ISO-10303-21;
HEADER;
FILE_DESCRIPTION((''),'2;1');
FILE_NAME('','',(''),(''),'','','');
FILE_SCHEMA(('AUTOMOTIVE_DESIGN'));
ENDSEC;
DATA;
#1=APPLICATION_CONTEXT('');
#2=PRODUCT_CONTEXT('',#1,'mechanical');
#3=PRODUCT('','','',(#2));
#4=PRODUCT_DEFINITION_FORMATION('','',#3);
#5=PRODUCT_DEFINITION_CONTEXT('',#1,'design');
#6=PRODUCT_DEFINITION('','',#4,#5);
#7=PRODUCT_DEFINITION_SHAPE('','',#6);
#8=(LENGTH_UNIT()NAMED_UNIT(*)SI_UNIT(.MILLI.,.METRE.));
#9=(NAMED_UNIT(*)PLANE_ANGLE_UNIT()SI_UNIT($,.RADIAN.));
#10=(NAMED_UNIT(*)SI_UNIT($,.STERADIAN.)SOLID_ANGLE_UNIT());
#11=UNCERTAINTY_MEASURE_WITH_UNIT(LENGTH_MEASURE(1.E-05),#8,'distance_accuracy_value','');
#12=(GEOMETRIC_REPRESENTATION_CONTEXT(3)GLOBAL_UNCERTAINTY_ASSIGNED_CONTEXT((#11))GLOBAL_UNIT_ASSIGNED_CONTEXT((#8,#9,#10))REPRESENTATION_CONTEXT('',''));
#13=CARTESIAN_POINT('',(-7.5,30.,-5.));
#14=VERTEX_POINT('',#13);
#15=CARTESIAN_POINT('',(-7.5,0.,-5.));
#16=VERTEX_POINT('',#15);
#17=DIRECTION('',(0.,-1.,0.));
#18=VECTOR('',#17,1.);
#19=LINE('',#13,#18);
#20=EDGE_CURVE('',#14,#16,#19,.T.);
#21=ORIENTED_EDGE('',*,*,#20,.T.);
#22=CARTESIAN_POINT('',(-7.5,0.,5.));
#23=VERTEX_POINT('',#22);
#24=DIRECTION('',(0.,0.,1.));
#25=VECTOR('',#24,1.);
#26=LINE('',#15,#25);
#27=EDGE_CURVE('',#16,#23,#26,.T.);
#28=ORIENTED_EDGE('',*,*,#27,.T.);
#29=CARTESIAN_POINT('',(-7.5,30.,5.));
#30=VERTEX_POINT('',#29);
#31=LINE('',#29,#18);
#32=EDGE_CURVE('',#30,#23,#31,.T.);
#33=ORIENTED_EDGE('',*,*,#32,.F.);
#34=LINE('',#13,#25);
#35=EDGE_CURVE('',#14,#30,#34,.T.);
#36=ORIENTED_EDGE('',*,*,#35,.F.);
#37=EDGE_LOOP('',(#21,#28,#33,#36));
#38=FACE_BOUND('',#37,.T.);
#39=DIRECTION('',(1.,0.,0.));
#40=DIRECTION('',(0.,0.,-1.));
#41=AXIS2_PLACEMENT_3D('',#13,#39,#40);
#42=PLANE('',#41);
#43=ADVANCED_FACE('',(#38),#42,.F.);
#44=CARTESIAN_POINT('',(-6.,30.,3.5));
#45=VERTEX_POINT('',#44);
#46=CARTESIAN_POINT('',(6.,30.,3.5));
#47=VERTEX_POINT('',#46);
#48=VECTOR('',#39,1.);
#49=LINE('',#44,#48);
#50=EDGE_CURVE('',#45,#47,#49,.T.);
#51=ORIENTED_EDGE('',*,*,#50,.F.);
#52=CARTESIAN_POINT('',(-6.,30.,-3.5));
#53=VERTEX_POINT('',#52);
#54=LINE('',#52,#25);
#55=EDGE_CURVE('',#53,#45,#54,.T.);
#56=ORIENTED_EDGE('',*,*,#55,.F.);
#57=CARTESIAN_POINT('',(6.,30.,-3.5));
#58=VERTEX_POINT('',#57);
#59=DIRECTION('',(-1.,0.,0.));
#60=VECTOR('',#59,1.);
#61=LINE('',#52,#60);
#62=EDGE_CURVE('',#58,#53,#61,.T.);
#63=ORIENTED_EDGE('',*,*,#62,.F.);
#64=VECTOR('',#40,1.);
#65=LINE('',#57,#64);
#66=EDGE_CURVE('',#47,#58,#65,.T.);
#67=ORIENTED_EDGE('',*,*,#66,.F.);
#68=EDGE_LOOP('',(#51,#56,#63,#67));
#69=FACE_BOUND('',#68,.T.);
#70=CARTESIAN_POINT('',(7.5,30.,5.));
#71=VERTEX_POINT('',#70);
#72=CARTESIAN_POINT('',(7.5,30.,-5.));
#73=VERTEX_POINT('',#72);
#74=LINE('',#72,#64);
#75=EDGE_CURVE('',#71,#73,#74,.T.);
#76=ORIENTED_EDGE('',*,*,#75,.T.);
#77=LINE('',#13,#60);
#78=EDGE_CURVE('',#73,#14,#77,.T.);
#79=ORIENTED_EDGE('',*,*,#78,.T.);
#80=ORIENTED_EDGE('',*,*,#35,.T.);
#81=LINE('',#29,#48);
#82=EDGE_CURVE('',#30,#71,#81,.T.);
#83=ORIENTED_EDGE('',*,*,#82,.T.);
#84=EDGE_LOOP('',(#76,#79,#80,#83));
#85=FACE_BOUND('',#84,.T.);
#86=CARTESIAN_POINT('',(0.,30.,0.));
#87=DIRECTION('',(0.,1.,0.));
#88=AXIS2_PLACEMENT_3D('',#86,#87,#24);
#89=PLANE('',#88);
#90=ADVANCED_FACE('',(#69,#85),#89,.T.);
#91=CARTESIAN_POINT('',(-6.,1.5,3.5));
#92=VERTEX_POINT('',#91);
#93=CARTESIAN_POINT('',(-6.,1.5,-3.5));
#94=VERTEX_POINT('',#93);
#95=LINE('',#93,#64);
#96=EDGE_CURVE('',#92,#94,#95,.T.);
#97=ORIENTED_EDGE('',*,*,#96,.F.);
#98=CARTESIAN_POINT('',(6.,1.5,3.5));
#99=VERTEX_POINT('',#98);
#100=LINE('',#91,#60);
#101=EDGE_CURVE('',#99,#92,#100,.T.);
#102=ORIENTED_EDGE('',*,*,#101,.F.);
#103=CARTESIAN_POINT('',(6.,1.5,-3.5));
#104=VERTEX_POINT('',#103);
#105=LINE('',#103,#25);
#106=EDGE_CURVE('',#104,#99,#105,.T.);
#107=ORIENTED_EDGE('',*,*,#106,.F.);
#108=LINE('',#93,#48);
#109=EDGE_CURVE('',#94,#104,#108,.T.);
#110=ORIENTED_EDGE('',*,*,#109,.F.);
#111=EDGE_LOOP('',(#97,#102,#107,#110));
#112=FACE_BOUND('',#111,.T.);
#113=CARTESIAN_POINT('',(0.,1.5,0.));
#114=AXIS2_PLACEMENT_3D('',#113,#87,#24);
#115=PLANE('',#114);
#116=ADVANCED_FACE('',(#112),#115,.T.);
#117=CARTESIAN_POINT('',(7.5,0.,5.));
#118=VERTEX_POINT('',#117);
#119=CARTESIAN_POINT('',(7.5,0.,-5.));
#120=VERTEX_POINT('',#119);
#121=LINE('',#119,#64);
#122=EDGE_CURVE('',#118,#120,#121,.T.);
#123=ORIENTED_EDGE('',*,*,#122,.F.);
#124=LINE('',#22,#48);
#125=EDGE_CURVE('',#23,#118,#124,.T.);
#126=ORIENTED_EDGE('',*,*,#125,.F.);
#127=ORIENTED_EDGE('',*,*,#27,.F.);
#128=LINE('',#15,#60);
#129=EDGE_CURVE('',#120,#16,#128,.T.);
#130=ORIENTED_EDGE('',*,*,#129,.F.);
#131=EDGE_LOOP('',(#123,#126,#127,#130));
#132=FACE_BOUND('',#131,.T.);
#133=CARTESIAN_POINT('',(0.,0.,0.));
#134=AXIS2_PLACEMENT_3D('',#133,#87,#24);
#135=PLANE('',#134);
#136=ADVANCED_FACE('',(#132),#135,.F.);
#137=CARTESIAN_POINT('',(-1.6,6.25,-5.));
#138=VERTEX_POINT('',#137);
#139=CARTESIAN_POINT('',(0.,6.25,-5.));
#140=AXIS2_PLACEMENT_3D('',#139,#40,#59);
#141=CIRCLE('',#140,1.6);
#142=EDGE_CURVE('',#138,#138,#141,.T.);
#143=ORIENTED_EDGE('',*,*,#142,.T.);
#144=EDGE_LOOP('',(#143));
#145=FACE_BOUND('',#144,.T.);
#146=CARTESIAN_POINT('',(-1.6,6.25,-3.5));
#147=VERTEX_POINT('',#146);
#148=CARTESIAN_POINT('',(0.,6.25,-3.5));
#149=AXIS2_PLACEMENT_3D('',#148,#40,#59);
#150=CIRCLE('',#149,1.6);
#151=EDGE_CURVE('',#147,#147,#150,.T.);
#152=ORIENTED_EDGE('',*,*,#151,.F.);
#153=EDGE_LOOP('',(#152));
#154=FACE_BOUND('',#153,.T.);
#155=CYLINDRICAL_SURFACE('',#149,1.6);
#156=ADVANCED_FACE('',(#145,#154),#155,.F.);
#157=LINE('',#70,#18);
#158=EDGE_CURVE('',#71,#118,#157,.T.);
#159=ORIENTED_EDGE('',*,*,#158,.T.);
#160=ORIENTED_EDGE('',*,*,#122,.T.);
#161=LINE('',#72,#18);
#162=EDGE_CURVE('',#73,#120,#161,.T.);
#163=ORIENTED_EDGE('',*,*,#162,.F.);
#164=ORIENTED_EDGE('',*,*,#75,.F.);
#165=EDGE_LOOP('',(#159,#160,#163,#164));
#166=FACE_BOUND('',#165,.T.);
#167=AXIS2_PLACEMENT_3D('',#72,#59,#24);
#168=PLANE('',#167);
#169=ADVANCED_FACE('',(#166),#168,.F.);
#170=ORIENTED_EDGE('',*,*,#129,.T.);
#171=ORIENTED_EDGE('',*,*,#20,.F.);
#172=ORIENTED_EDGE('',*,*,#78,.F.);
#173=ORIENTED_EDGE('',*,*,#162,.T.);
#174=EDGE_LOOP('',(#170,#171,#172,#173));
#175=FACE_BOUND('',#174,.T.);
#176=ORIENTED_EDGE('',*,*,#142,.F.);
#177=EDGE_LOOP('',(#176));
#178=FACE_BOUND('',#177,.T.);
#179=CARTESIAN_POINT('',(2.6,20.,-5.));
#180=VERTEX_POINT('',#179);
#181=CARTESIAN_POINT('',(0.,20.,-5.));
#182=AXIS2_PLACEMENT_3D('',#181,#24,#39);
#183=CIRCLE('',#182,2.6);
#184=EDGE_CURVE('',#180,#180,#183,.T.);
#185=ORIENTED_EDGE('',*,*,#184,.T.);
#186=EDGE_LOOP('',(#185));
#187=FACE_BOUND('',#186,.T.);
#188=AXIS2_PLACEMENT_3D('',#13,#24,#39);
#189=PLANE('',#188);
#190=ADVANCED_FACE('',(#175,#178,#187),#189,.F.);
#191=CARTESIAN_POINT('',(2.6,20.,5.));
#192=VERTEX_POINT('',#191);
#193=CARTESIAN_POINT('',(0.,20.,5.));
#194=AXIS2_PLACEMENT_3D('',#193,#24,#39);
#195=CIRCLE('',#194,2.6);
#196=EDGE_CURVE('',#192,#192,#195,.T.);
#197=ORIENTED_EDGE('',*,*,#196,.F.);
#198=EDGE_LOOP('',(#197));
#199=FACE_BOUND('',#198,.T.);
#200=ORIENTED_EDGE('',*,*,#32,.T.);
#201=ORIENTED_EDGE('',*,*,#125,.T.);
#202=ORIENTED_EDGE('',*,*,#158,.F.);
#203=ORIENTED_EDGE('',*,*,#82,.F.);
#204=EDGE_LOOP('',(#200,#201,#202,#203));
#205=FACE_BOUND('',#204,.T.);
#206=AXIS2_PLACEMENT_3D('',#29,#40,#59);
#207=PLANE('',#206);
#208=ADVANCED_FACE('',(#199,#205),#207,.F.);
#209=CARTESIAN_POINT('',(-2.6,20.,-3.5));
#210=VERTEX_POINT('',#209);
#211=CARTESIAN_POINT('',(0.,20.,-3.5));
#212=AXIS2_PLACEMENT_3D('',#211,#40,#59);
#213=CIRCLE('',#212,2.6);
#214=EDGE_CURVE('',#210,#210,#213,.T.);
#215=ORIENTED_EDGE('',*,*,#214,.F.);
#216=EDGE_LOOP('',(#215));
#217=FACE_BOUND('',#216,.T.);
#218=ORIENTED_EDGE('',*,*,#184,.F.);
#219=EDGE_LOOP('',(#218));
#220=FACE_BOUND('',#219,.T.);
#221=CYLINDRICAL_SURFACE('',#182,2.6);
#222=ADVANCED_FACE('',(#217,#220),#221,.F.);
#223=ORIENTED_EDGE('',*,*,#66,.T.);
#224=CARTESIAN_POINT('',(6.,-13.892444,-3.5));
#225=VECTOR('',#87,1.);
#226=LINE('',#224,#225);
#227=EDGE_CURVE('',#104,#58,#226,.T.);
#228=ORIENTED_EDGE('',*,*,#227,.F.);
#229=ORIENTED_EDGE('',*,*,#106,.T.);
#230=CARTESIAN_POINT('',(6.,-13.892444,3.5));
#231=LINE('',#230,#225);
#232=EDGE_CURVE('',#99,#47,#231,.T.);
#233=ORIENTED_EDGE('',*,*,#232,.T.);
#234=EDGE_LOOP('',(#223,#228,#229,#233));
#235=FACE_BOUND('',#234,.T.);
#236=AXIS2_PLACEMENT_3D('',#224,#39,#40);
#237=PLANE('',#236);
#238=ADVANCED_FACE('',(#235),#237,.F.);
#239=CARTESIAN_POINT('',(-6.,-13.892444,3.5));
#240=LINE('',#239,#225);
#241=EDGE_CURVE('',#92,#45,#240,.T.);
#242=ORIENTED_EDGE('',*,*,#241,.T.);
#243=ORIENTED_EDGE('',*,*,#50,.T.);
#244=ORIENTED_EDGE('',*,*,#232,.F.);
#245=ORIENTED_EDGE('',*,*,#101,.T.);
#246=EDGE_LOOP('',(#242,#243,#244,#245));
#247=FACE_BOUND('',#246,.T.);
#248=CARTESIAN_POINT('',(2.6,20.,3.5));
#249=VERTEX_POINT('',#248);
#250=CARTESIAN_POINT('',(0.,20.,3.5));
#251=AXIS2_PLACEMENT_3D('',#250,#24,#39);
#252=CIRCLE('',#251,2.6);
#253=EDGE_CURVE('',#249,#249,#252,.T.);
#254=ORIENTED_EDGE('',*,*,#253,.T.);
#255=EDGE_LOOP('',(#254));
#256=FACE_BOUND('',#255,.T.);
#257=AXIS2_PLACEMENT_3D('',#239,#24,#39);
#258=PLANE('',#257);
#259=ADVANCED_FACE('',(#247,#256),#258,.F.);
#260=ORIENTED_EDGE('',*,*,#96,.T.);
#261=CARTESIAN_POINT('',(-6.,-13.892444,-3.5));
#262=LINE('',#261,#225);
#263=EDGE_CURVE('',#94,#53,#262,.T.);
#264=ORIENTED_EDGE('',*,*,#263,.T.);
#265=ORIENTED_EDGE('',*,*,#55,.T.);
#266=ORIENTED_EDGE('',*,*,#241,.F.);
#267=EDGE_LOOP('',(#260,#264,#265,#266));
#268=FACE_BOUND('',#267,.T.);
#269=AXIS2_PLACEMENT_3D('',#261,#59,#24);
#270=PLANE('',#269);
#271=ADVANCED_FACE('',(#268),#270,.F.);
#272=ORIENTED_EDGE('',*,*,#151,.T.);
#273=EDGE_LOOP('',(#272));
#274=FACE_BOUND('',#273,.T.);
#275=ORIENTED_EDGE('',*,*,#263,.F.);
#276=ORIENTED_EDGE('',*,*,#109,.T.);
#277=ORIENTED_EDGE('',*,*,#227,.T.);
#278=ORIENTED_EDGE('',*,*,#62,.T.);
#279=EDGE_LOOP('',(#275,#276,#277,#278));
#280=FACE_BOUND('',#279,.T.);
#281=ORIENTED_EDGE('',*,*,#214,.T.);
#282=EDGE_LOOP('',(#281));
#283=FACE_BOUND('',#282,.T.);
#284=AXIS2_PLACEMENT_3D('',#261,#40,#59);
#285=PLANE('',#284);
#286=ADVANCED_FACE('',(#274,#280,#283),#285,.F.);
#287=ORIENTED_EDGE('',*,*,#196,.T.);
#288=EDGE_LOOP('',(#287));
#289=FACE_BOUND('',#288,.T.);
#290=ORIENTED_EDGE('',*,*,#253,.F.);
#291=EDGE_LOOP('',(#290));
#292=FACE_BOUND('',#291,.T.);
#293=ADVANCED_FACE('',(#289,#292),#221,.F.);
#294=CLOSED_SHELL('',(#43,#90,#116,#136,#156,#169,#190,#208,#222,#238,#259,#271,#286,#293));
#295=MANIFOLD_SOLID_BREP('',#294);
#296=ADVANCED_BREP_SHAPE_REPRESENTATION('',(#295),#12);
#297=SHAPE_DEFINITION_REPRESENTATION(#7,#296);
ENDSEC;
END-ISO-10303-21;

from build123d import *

# Parameters (mm, degrees)
SKETCH_1_W          = 15
SKETCH_1_H          = 10
EXTRUDE_1_DEPTH     = 30
SKETCH_2_W          = 12
SKETCH_2_H          = 7
CUT_EXTRUDE_1_DEPTH = 28.5
SKETCH_3_R          = 2.6
CUT_EXTRUDE_2_DEPTH = 33.5
SKETCH_4_R          = 1.6
CUT_EXTRUDE_3_DEPTH = 1.5


with BuildPart() as part:
    # 草图1 → 凸台-拉伸1 (new body)
    with BuildSketch(Plane(origin=(0, 0, 0), x_dir=(1, 0, 0), z_dir=(0, 1, 0))):
        Rectangle(SKETCH_1_W, SKETCH_1_H)
    extrude(amount=EXTRUDE_1_DEPTH)

    # 草图2 → 切除-拉伸1 (cut)
    with BuildSketch(Plane(origin=(0, 30, 0), x_dir=(1, 0, 0), z_dir=(0, 1, 0))):
        Rectangle(SKETCH_2_W, SKETCH_2_H)
    extrude(amount=-CUT_EXTRUDE_1_DEPTH, mode=Mode.SUBTRACT)

    # 草图3 → 切除-拉伸2 (cut, through all)
    with BuildSketch(Plane.XY.offset(5)):
        with Locations((0, 20)):
            Circle(SKETCH_3_R)
    extrude(amount=-CUT_EXTRUDE_2_DEPTH, mode=Mode.SUBTRACT)

    # 草图4 → 切除-拉伸3 (cut)
    with BuildSketch(Plane(origin=(0, 0, -5), x_dir=(-1, 0, 0), z_dir=(0, 0, -1))):
        with Locations((0, 6.25)):
            Circle(SKETCH_4_R)
    extrude(amount=-CUT_EXTRUDE_3_DEPTH, mode=Mode.SUBTRACT)


solid = part.part
